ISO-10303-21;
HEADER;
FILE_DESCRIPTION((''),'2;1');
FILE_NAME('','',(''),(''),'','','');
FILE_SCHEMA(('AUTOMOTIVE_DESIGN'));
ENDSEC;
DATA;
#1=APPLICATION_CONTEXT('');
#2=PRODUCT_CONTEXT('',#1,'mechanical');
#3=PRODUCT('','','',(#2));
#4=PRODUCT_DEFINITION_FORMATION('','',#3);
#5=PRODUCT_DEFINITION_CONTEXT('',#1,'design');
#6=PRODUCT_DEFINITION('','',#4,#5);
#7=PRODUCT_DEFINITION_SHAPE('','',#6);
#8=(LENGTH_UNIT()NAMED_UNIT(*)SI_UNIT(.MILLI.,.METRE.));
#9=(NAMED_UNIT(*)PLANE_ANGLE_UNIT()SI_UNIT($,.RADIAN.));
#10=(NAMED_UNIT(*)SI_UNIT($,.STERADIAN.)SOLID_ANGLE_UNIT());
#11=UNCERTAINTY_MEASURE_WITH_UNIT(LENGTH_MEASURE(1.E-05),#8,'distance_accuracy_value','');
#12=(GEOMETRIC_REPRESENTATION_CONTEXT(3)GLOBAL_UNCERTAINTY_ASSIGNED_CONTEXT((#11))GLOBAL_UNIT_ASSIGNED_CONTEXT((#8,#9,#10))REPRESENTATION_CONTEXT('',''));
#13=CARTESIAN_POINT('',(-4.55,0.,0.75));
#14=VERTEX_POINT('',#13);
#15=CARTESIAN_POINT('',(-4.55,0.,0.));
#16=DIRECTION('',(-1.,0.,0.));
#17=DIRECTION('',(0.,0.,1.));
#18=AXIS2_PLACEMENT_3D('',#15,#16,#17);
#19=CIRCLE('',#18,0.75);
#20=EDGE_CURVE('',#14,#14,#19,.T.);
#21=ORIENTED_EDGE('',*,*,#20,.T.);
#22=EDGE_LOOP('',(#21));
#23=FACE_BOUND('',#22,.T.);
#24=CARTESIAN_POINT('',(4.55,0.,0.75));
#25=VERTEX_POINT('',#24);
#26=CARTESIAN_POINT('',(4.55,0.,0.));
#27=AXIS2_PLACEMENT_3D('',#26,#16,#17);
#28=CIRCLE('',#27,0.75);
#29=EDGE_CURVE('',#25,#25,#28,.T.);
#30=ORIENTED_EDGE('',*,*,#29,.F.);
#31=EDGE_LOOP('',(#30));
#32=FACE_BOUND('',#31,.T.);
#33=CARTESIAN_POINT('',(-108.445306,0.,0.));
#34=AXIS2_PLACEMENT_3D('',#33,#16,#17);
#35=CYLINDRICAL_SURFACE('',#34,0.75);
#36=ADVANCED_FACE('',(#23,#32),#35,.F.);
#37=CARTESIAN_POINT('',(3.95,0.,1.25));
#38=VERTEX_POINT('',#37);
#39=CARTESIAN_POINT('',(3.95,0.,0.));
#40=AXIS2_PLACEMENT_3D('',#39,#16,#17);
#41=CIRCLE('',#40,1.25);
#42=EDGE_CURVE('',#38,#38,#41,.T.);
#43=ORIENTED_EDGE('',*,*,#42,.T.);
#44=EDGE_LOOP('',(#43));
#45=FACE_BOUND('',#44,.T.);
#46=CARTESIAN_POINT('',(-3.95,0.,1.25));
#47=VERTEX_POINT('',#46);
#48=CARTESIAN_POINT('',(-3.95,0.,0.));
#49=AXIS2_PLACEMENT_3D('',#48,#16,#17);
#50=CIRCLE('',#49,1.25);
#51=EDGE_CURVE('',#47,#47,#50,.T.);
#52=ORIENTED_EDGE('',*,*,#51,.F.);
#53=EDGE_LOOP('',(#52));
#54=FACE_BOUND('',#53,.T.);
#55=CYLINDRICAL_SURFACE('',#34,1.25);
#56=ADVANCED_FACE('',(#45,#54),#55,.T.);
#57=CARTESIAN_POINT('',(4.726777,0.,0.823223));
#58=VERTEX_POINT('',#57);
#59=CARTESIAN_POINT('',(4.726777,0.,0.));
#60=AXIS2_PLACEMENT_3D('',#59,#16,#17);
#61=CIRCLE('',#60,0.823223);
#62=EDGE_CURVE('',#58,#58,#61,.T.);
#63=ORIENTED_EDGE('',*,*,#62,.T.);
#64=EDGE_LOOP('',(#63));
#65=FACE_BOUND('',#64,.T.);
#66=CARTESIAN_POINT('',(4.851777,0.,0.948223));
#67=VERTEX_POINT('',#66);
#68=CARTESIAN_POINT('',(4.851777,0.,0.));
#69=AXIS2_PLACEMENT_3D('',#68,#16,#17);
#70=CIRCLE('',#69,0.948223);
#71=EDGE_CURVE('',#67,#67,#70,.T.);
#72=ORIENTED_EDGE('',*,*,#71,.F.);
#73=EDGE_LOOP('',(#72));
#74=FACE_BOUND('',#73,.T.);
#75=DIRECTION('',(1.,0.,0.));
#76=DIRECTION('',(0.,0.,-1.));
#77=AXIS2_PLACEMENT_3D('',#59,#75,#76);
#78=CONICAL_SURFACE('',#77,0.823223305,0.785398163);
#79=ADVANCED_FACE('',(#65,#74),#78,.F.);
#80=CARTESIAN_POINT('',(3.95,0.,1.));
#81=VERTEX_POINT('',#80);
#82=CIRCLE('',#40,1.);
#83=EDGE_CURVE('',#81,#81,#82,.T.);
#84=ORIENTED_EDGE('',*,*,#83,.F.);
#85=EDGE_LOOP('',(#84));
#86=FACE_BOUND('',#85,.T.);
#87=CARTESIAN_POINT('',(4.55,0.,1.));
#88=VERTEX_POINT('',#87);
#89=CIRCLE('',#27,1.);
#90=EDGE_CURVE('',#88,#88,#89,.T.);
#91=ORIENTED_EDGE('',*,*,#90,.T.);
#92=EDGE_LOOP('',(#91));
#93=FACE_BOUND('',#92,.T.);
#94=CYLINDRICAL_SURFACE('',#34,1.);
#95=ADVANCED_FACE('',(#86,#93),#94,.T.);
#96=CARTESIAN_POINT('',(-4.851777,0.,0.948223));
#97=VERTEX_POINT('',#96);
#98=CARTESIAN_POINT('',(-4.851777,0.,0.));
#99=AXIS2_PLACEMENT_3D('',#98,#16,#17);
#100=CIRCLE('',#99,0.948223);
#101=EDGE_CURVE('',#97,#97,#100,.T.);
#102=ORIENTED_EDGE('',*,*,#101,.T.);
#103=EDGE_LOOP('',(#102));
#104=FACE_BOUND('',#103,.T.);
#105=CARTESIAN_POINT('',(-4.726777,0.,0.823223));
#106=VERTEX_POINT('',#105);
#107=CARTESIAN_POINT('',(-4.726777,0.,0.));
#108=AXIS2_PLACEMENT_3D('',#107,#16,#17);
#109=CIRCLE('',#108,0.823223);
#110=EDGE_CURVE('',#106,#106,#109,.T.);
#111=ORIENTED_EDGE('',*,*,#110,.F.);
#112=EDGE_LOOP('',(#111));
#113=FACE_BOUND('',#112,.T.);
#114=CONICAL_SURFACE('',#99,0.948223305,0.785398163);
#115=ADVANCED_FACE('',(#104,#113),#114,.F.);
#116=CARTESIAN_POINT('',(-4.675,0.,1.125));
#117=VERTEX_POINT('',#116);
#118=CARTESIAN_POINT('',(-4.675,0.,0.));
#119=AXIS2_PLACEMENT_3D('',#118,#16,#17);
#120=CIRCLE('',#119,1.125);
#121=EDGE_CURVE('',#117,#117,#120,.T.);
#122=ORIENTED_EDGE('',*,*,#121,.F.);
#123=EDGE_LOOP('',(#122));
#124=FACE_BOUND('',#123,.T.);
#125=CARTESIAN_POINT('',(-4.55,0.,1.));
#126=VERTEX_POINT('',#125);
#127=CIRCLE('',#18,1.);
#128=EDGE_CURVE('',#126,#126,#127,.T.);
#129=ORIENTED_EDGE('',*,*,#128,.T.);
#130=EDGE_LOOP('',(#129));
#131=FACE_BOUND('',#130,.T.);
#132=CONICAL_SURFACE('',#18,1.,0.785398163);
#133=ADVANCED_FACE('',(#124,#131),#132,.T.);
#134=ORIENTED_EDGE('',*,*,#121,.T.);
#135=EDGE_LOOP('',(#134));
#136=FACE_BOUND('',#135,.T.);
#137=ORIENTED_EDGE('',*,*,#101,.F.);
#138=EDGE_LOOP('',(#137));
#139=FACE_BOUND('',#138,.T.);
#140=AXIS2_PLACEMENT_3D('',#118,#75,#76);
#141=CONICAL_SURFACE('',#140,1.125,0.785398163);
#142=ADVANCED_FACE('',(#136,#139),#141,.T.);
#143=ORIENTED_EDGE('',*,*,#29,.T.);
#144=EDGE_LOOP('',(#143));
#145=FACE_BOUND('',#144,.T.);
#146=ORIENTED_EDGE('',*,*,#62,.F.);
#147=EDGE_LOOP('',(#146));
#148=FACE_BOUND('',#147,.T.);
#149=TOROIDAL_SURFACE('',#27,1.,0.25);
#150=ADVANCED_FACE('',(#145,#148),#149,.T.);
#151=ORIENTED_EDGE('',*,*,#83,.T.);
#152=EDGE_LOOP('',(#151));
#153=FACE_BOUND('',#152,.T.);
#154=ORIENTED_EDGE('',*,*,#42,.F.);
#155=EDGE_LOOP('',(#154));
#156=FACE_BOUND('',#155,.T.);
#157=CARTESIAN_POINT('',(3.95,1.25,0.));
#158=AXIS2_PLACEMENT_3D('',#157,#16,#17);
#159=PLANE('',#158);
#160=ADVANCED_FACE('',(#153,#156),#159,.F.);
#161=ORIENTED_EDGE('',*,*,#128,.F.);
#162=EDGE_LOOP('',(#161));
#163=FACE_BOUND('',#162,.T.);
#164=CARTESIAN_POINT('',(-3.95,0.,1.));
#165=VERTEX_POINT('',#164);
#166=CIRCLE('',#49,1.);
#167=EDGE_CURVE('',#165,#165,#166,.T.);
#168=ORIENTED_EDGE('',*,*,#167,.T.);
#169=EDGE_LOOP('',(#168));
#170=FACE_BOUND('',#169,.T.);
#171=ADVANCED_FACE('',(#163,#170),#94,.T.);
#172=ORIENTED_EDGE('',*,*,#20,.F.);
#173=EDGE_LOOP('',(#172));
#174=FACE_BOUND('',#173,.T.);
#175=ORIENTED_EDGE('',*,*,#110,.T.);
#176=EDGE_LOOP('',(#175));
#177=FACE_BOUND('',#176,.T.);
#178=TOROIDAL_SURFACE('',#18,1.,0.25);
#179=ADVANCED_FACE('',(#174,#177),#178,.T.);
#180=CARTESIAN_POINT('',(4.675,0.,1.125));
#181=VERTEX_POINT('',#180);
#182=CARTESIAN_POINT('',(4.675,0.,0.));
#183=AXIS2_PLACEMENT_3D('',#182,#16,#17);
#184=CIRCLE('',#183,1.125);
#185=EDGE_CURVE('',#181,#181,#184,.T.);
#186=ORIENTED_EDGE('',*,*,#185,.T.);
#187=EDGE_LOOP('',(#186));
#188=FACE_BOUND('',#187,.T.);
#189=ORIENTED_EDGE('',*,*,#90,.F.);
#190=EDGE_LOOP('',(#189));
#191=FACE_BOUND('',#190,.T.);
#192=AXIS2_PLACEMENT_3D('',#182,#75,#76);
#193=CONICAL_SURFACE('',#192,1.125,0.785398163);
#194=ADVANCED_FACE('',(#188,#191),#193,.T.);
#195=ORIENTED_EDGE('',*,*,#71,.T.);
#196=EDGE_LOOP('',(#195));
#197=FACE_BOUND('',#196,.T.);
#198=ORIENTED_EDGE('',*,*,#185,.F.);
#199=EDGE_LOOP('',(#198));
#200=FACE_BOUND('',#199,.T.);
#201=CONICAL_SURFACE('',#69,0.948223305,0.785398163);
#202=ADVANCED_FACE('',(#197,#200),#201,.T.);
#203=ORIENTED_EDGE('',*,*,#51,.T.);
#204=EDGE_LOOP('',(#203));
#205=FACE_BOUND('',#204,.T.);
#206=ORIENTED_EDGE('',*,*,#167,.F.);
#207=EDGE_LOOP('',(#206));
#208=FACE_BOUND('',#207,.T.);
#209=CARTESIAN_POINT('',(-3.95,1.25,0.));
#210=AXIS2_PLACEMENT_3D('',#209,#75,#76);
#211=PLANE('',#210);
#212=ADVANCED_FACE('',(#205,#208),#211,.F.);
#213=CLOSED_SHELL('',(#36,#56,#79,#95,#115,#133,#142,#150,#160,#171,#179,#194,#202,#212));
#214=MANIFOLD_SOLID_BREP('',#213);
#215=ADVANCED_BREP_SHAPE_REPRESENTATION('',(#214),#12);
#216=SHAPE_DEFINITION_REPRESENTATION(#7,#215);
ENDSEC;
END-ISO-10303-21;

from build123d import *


with BuildPart() as part:
    # Sketch1 → Revolve1 (revolve)
    with BuildSketch(Plane.XY, mode=Mode.PRIVATE) as revolve1_sk:
        with BuildLine():
            Line((-3.95, 1.25), (3.95, 1.25))
            Line((3.95, 1.25), (3.95, 1))
            Line((3.95, 1), (4.55, 1))
            Line((4.55, 1), (4.675, 1.125))
            Line((4.675, 1.125), (4.851776695, 0.948223305))
            Line((4.851776695, 0.948223305), (4.726776695, 0.823223305))
            ThreePointArc((4.726776695, 0.823223305), (4.645670858, 0.769030117), (4.55, 0.75))
            Line((4.55, 0.75), (-4.55, 0.75))
            ThreePointArc((-4.55, 0.75), (-4.645670858, 0.769030117), (-4.726776695, 0.823223305))
            Line((-4.726776695, 0.823223305), (-4.851776695, 0.948223305))
            Line((-4.851776695, 0.948223305), (-4.675, 1.125))
            Line((-4.675, 1.125), (-4.55, 1))
            Line((-4.55, 1), (-3.95, 1))
            Line((-3.95, 1), (-3.95, 1.25))
        make_face()
    revolve(revolve1_sk.sketch.rotate(Axis((-108.445306304, 0, 0), (1, 0, 0)), 90), axis=Axis((-108.445306304, 0, 0), (1, 0, 0)))


solid = part.part
